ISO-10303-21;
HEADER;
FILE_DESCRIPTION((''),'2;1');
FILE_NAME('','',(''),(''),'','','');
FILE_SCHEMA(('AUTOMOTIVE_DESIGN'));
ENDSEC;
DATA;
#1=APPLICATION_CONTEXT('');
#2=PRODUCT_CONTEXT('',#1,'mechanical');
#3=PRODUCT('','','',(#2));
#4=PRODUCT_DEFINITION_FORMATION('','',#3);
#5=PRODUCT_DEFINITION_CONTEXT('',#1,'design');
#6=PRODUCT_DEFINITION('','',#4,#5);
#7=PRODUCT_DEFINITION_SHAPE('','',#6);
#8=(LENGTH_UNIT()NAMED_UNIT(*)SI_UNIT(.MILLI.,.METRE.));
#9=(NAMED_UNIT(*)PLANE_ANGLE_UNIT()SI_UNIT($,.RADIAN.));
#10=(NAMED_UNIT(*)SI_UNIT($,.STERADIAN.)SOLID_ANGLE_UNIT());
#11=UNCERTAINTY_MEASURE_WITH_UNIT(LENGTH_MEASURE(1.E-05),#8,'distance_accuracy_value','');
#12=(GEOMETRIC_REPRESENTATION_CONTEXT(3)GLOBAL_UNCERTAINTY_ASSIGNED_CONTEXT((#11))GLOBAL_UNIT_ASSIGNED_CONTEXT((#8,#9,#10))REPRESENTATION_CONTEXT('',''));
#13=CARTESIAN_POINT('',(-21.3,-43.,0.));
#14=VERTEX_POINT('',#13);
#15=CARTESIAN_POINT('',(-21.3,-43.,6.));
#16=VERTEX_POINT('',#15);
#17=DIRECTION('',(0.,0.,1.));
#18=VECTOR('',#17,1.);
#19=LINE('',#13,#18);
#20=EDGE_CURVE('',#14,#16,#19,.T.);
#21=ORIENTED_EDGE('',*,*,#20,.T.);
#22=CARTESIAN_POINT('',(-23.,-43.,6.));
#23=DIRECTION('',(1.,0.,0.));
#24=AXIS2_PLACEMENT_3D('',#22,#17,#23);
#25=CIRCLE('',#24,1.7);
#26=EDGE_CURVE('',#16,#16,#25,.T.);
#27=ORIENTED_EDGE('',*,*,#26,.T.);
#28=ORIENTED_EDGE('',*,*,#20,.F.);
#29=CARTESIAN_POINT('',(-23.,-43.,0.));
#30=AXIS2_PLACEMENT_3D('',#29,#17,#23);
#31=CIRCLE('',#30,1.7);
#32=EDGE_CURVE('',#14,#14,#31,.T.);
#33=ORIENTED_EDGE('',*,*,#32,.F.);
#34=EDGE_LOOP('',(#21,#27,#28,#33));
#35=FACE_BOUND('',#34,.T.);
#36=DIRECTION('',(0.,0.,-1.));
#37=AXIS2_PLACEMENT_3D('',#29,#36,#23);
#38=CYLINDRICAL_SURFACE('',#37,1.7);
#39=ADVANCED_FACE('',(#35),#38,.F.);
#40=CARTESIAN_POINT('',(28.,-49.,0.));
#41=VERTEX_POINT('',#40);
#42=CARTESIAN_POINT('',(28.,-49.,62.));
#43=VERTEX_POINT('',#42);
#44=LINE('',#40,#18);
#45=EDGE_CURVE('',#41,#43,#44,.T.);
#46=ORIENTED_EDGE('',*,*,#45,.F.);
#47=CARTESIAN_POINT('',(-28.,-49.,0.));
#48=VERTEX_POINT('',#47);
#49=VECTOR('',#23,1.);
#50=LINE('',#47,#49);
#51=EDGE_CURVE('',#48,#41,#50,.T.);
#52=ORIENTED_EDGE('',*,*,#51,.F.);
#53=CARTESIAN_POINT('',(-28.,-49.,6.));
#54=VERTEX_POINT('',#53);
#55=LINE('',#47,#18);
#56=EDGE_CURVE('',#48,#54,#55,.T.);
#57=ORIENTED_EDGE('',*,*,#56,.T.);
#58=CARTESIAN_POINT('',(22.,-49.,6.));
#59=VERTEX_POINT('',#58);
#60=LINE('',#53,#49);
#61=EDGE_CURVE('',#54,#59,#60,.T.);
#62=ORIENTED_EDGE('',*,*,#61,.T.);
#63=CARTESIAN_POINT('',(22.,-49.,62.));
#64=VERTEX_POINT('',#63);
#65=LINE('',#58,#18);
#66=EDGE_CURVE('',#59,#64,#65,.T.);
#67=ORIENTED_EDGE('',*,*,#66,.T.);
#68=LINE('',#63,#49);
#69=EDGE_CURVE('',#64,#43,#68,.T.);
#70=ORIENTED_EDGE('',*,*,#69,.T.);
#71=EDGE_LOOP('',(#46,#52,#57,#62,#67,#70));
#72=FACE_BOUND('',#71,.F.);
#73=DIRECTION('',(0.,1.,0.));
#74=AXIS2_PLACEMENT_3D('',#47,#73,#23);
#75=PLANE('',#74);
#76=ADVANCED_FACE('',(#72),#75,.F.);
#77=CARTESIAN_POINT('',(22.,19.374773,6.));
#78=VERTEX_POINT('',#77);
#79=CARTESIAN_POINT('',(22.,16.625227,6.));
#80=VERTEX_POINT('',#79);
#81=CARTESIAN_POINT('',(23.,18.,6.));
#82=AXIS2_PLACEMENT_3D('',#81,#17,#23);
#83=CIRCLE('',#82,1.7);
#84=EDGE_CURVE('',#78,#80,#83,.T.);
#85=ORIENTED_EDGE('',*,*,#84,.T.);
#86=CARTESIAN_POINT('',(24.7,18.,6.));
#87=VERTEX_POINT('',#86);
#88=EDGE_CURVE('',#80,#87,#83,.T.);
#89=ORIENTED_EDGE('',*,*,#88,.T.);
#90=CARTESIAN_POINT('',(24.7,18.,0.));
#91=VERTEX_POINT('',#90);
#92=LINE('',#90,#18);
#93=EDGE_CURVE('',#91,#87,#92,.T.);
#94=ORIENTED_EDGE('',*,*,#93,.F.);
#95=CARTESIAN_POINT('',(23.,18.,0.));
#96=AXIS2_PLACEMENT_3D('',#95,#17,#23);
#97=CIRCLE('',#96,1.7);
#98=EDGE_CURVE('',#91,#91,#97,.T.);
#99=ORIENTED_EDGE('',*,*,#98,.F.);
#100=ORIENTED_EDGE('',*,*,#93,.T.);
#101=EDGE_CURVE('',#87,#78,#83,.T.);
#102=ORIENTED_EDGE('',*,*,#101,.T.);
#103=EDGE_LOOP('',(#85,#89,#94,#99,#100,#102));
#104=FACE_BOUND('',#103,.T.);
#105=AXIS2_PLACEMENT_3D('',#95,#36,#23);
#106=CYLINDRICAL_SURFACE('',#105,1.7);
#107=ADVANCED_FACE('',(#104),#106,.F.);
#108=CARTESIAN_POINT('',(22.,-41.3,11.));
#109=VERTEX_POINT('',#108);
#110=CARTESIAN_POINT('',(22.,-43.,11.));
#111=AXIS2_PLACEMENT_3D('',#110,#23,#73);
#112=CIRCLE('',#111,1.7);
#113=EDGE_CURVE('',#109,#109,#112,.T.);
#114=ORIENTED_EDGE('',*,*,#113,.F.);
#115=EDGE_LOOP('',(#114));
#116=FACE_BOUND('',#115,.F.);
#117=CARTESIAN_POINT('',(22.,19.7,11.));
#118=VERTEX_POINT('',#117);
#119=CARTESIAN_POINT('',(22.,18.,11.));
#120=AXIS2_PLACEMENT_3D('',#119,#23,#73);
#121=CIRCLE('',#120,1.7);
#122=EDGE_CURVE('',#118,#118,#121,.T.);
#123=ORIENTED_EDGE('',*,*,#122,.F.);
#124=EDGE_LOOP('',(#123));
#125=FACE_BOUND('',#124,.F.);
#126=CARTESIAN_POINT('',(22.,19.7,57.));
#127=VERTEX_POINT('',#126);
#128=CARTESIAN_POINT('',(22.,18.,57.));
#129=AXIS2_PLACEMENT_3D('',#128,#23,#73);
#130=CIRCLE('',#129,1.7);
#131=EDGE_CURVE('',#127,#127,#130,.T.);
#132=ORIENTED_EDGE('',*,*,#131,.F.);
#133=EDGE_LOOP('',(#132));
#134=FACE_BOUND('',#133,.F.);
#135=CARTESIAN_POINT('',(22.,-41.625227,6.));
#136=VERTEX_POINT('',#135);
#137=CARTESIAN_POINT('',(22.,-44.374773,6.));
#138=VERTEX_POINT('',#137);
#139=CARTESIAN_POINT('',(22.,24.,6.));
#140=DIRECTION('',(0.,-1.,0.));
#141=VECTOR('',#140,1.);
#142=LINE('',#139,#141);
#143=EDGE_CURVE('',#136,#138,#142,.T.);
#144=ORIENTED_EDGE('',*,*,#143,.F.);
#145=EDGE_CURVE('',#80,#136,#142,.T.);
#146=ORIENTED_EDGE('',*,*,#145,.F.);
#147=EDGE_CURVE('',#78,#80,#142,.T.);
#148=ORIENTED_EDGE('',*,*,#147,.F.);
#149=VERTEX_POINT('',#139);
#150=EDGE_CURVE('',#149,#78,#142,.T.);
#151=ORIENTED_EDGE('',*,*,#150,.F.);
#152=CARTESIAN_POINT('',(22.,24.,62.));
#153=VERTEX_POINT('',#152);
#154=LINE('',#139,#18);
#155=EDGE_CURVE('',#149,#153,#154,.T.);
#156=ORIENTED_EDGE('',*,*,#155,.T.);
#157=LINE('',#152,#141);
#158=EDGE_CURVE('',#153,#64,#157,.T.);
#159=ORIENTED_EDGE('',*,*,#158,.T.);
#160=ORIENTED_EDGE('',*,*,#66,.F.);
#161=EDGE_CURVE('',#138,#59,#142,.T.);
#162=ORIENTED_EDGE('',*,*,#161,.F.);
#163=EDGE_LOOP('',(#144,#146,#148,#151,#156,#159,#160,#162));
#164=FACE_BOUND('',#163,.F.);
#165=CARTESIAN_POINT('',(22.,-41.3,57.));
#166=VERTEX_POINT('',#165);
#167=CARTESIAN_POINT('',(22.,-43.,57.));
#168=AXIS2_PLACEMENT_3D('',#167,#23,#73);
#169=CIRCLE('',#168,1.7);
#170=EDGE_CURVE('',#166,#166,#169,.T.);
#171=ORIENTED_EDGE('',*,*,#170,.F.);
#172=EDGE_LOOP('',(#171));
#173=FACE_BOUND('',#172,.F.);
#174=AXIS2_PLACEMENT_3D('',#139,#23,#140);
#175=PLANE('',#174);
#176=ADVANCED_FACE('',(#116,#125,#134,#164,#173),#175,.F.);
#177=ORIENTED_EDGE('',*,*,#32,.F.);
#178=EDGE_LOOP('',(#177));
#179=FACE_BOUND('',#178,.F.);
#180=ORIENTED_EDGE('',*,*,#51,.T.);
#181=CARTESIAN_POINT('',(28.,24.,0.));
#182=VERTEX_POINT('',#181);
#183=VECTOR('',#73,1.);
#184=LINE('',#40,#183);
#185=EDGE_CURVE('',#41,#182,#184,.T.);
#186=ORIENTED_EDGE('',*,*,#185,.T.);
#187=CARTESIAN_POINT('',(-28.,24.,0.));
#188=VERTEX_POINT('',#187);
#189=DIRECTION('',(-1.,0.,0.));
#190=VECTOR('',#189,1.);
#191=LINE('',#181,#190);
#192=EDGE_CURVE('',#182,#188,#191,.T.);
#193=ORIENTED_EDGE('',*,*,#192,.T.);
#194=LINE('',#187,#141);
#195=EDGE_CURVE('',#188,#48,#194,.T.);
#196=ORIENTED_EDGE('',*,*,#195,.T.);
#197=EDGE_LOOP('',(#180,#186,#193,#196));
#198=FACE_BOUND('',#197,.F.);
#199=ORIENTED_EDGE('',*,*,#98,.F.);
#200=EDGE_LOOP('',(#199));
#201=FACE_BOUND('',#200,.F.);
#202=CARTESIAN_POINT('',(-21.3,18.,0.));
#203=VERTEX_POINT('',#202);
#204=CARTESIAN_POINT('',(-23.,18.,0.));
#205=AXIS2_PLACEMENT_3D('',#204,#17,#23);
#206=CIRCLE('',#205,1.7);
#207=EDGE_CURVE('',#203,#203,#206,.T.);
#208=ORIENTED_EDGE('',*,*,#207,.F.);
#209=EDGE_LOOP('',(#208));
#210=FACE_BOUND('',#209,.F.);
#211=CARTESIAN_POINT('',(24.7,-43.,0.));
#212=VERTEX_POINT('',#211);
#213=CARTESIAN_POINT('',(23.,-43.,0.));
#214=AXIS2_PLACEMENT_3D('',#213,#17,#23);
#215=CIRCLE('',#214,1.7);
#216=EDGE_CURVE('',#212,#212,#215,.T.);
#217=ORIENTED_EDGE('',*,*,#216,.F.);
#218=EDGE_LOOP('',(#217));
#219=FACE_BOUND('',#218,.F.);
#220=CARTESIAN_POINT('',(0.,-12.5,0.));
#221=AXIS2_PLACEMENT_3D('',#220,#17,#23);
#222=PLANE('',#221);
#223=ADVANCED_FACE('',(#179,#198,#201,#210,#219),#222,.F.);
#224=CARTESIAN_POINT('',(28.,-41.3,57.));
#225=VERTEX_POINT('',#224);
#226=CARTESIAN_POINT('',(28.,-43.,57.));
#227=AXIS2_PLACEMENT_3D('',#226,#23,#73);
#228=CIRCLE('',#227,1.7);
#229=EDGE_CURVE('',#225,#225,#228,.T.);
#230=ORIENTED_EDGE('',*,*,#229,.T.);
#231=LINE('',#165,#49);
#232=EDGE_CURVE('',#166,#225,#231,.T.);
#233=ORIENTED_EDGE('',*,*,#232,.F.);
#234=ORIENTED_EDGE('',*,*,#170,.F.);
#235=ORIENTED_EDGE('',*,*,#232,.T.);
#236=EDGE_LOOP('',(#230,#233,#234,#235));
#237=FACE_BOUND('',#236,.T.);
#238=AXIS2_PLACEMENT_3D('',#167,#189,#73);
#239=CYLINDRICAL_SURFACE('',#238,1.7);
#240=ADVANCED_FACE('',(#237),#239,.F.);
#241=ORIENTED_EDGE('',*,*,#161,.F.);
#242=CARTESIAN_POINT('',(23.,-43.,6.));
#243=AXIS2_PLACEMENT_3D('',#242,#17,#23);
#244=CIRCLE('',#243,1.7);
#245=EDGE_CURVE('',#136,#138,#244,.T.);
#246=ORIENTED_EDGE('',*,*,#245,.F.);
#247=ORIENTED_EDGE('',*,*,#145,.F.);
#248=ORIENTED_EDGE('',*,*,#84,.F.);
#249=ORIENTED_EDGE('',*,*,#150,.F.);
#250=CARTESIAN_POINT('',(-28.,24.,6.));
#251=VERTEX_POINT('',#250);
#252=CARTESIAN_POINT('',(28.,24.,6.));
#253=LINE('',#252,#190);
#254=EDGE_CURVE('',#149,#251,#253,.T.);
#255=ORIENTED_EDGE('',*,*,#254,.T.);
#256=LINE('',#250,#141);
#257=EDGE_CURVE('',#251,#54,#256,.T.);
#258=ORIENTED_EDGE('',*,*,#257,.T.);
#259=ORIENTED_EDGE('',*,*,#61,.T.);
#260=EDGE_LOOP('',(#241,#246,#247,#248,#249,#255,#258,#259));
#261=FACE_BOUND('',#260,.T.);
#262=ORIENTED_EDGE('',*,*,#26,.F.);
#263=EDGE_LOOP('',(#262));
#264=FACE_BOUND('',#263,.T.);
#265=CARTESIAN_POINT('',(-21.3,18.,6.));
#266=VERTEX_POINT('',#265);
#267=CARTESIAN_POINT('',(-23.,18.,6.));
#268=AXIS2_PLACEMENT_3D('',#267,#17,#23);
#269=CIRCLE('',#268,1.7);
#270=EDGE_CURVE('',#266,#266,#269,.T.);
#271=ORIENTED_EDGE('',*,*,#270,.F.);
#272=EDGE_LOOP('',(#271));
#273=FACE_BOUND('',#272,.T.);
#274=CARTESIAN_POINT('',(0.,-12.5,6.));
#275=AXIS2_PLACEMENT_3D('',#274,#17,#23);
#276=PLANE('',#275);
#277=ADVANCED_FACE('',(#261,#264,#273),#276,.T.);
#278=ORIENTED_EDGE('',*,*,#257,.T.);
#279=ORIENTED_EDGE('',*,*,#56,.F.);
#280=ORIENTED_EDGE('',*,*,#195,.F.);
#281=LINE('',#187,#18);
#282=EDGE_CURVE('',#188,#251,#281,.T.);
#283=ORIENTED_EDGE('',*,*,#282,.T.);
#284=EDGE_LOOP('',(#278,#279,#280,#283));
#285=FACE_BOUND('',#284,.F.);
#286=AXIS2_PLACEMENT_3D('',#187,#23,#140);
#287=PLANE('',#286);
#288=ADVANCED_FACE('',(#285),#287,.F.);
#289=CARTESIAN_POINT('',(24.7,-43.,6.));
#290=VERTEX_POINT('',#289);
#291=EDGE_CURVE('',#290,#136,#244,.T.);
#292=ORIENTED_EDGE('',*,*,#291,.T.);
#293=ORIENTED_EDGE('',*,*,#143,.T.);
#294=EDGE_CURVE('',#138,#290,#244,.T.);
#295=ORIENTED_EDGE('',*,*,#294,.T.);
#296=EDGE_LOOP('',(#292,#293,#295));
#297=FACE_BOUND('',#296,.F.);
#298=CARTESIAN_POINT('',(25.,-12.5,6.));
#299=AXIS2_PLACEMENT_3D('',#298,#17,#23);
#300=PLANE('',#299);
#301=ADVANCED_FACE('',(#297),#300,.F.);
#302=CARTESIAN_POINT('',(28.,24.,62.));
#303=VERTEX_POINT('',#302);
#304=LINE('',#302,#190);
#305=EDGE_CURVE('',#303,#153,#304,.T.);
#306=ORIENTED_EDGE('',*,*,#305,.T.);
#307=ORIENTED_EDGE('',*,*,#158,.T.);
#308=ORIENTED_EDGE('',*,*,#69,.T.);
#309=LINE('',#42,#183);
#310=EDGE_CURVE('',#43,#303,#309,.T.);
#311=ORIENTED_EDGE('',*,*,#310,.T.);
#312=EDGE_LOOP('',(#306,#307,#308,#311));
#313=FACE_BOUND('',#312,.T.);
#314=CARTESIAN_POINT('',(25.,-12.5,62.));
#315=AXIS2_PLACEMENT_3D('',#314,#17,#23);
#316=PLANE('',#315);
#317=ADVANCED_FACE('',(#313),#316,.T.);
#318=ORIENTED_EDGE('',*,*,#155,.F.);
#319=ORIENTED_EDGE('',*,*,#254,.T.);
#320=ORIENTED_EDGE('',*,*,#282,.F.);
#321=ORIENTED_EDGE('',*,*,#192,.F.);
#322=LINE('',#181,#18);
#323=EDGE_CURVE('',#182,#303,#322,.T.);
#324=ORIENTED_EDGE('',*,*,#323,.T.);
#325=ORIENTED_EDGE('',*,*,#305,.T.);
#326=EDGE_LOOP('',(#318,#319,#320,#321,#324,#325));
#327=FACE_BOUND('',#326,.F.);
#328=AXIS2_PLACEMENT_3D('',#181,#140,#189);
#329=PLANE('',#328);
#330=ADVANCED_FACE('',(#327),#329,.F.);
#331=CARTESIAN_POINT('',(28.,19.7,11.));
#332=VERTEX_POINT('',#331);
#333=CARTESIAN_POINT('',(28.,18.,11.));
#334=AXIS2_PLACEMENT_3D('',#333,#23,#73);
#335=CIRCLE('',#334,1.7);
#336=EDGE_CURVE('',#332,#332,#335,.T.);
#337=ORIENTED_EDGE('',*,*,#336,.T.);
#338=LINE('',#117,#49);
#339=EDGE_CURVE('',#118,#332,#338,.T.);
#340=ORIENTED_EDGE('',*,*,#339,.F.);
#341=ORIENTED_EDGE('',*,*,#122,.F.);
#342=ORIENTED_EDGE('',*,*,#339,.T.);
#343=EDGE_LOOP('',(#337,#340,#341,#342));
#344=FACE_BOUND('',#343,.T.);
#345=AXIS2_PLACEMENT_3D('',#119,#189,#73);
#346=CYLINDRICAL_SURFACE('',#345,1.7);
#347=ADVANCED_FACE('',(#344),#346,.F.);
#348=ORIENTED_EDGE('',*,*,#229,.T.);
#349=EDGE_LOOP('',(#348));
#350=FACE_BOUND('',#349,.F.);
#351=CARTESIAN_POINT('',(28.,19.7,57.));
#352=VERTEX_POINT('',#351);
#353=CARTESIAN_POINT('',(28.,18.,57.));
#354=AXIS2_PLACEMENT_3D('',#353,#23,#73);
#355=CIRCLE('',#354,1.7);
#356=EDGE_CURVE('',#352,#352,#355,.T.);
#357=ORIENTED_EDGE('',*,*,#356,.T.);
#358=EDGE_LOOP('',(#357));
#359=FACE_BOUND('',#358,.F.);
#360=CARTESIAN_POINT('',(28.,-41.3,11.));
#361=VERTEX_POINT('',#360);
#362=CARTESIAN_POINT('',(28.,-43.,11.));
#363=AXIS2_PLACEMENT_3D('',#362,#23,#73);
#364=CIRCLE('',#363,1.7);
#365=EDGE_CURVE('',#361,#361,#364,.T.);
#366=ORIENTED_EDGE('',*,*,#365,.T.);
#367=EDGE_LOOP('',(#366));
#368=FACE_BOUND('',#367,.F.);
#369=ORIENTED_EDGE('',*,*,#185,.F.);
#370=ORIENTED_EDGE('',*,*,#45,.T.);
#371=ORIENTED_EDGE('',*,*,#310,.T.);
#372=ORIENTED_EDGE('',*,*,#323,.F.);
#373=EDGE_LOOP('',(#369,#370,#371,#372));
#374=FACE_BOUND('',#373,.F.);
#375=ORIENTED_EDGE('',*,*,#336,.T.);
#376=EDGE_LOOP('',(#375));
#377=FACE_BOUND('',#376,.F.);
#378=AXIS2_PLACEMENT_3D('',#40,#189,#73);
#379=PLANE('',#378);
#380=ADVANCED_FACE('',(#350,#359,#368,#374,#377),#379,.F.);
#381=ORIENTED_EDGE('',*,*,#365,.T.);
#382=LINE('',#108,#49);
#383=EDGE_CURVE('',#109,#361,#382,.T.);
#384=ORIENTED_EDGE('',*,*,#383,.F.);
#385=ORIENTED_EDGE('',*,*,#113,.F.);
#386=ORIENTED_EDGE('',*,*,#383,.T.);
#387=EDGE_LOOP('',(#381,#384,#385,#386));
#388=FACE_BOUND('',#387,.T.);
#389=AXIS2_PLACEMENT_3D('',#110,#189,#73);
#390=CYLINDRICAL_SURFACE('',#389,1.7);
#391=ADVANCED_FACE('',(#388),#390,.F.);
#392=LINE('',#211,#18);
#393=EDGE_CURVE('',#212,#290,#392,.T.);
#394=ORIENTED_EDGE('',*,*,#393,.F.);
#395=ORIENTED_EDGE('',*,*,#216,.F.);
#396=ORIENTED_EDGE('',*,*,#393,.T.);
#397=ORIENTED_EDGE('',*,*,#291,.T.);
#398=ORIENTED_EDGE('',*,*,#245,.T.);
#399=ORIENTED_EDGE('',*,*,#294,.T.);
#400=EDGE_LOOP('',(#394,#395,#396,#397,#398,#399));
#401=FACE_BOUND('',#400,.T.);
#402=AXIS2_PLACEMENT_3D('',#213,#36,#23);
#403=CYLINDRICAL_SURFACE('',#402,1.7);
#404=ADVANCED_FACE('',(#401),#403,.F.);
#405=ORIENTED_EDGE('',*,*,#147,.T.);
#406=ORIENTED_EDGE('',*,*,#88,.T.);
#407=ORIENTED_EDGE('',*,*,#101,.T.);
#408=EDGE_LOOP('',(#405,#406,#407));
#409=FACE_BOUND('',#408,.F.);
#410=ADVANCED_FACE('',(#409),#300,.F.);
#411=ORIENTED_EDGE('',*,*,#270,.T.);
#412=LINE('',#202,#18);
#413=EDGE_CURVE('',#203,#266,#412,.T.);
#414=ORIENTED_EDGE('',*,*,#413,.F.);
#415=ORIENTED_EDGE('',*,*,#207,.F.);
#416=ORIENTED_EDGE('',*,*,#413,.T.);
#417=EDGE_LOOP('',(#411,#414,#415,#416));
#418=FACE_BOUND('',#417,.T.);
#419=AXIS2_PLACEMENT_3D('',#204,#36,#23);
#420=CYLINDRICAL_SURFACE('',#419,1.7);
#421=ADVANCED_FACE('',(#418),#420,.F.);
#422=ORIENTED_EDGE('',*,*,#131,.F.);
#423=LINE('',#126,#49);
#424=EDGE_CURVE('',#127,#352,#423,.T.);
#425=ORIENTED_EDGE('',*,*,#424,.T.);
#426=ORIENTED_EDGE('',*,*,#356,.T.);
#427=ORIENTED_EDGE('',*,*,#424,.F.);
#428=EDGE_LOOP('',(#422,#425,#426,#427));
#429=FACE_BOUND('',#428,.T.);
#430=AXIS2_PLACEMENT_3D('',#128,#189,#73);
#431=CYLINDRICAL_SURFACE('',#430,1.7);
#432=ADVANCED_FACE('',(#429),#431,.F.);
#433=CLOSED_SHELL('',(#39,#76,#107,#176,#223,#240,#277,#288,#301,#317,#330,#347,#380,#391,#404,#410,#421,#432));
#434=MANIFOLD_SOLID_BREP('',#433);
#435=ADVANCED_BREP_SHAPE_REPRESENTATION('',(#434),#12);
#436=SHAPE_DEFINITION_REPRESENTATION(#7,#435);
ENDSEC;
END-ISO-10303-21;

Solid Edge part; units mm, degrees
sketch "Sketch1" plane through (0, 0, 0) normal (0, 0, 1) x (1, 0, 0)
  line L0 (-28, -49) -> (28, -49)
  line L1 (28, -49) -> (28, 24)
  line L2 (28, 24) -> (-28, 24)
  line L3 (-28, 24) -> (-28, -49)
  circle A0 centre (-23, -43) radius 1.7
  circle A1 centre (23, -43) radius 1.7
  circle A2 centre (-23, 18) radius 1.7
  circle A3 centre (23, 18) radius 1.7
extrude "Protrusion1" add sketch "Sketch1" along normal blind 6
sketch "Sketch2" plane through (0, 0, 6) normal (0, 0, 1) x (1, 0, 0)
  line L0 (22, -49) -> (28, -49)
  line L1 (28, -49) -> (28, 24)
  line L2 (28, 24) -> (22, 24)
  line L3 (22, 24) -> (22, -49)
extrude "ExtrudedProtrusion_2" add sketch "Sketch2" along normal blind 56
sketch "Sketch3" plane through (22, 0, 0) normal (1, 0, 0) x (0, 1, 0)
  circle A0 centre (-43, 57) radius 1.7
  circle A1 centre (-43, 11) radius 1.7
  circle A2 centre (18, 57) radius 1.7
  circle A3 centre (18, 11) radius 1.7
extrude "ExtrudedCutout_1" cut sketch "Sketch3" along normal blind 6
